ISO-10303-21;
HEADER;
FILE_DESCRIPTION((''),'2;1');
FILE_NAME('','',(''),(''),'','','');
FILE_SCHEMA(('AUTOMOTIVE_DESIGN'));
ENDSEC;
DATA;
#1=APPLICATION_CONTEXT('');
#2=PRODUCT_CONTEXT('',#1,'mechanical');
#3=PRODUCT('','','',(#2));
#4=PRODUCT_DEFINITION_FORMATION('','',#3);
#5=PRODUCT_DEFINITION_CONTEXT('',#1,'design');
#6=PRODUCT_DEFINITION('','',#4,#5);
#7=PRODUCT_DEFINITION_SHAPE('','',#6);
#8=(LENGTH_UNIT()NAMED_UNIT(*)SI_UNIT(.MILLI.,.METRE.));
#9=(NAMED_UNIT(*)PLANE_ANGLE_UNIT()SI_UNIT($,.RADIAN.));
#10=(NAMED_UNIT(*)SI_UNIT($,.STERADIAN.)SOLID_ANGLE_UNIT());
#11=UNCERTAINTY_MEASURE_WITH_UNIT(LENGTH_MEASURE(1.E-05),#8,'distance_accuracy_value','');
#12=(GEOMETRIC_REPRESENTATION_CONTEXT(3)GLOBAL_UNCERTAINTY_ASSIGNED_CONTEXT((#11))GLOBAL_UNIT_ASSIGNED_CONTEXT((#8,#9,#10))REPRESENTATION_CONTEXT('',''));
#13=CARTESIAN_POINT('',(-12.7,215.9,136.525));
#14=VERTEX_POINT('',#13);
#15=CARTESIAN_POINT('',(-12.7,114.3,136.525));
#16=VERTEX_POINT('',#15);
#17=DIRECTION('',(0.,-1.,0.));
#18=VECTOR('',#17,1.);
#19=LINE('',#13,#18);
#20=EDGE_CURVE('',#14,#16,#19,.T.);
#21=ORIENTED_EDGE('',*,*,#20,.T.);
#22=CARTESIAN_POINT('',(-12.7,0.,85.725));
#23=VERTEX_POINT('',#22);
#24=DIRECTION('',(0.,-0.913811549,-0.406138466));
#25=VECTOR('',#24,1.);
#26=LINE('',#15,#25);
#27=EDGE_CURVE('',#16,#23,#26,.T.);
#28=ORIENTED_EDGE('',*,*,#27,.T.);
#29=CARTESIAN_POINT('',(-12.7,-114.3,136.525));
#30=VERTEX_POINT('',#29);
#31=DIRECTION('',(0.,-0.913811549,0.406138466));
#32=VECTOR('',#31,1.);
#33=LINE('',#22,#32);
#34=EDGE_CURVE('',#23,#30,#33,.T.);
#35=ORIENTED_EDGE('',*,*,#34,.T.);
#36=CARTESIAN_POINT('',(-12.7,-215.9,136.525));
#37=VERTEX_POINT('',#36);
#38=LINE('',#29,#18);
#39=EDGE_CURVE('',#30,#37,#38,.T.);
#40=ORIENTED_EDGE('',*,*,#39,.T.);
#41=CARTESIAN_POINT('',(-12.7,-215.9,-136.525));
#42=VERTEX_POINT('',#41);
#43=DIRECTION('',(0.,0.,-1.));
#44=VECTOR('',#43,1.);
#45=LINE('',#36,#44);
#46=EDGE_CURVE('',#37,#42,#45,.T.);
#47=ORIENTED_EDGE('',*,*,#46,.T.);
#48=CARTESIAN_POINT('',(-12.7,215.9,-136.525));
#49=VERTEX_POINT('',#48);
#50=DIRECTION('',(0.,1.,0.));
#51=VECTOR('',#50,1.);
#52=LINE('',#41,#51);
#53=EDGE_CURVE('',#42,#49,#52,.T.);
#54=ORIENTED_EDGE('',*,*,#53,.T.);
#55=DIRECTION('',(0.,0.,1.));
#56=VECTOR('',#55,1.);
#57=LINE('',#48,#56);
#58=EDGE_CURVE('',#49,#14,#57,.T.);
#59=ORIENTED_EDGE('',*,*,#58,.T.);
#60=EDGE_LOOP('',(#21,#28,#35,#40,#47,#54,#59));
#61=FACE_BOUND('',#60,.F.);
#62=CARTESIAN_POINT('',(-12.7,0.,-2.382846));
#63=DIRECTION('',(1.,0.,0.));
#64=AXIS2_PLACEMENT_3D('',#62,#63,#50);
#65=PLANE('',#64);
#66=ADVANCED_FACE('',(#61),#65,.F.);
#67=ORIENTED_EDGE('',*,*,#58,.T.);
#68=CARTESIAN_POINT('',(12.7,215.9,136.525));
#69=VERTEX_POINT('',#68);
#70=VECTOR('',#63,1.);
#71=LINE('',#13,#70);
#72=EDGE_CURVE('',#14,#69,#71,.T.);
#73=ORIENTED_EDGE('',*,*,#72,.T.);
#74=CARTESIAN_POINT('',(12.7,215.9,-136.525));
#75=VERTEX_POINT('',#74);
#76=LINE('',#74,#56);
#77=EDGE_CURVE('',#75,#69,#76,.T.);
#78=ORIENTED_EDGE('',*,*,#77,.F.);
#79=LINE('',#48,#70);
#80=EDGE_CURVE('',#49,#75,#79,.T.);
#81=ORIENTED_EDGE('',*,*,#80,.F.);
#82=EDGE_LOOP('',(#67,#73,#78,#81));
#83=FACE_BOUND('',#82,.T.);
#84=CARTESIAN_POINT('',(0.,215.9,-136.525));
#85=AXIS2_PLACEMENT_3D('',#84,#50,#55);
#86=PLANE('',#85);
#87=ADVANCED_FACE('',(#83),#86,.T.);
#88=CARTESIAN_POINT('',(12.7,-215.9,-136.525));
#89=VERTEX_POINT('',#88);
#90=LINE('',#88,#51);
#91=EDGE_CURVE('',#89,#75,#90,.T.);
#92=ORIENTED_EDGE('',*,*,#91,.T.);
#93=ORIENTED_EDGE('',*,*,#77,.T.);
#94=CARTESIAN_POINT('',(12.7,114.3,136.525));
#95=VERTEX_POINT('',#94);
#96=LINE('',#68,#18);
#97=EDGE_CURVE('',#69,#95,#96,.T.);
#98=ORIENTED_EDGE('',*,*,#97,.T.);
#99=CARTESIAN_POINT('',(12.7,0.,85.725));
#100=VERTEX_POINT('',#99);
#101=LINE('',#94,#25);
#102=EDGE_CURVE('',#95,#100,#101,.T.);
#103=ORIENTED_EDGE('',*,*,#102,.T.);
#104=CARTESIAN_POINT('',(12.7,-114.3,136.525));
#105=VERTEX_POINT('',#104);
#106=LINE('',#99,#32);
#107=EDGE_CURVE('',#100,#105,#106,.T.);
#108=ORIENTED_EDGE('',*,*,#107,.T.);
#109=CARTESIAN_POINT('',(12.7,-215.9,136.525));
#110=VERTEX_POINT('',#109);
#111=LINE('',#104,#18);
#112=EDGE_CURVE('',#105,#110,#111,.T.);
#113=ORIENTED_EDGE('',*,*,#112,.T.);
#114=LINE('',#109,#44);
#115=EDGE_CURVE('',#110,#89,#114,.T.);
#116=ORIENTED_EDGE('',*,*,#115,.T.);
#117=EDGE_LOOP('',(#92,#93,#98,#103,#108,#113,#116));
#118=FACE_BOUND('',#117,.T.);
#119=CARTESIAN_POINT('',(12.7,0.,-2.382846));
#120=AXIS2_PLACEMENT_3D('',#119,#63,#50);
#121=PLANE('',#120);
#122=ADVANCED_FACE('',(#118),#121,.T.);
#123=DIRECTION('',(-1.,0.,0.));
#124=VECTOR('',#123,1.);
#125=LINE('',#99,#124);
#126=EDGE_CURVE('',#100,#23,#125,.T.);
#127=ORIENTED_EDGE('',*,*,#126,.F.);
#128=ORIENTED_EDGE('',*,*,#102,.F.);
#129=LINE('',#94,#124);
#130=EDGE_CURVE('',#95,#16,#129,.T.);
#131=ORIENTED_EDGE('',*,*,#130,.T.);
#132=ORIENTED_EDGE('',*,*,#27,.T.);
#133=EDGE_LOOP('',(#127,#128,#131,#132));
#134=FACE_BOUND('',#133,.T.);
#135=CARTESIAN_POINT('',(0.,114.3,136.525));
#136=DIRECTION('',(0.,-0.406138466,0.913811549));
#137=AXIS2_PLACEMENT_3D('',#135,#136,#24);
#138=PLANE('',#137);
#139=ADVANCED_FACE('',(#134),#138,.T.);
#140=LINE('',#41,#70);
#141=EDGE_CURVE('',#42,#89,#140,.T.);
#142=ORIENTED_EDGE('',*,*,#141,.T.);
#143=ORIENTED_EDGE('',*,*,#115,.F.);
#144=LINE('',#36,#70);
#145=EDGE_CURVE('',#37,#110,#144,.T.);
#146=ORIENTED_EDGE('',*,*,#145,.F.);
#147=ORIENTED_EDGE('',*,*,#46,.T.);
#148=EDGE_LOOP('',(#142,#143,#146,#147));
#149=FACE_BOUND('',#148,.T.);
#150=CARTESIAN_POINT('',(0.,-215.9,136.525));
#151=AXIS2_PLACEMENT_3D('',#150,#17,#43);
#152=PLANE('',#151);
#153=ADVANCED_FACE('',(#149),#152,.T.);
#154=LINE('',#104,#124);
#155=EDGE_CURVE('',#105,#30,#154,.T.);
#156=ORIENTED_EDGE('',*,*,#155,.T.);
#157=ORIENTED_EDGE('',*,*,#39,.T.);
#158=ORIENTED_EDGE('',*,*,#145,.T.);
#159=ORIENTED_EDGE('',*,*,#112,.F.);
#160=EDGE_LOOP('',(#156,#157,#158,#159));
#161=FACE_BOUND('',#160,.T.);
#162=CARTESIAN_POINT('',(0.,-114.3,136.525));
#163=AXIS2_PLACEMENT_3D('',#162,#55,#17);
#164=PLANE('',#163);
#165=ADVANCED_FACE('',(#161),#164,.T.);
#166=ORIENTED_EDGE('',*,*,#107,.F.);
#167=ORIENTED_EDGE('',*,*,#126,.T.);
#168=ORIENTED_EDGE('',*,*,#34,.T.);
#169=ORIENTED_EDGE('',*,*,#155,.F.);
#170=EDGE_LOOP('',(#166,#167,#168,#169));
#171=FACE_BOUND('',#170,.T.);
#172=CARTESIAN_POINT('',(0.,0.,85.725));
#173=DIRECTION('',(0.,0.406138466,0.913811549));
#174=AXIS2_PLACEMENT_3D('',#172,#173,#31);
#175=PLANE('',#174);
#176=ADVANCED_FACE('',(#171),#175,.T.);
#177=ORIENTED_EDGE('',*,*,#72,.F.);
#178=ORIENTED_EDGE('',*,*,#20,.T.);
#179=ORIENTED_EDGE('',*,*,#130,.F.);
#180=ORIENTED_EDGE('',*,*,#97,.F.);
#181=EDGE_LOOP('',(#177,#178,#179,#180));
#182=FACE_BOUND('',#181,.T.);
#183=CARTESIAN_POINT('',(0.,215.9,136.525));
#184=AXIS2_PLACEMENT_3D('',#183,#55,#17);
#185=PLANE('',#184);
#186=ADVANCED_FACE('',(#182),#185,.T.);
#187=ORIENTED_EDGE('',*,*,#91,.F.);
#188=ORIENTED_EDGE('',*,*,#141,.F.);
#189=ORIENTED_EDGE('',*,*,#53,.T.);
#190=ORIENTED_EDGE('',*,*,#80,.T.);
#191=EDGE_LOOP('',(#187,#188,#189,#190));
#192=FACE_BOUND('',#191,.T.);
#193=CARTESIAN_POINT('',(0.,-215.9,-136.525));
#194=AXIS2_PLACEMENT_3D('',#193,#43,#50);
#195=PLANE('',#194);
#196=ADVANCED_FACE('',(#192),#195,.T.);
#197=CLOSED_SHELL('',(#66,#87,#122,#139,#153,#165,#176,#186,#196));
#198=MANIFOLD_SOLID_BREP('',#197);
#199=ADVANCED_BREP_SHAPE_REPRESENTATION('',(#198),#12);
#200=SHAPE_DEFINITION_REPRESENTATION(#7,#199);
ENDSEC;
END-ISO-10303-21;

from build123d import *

# Parameters (mm, degrees)
F1_DEPTH = 12.7


with BuildPart() as f1:
    # F0 (on Right) → F1 (new body, symmetric)
    with BuildSketch(Plane.YZ):
        Polygon((-114.3, 136.525), (-215.9, 136.525), (-215.9, -136.525), (215.9, -136.525), (215.9, 136.525), (114.3, 136.525), (0, 85.725), align=None)
    extrude(amount=F1_DEPTH, both=True)


solid = f1.part
